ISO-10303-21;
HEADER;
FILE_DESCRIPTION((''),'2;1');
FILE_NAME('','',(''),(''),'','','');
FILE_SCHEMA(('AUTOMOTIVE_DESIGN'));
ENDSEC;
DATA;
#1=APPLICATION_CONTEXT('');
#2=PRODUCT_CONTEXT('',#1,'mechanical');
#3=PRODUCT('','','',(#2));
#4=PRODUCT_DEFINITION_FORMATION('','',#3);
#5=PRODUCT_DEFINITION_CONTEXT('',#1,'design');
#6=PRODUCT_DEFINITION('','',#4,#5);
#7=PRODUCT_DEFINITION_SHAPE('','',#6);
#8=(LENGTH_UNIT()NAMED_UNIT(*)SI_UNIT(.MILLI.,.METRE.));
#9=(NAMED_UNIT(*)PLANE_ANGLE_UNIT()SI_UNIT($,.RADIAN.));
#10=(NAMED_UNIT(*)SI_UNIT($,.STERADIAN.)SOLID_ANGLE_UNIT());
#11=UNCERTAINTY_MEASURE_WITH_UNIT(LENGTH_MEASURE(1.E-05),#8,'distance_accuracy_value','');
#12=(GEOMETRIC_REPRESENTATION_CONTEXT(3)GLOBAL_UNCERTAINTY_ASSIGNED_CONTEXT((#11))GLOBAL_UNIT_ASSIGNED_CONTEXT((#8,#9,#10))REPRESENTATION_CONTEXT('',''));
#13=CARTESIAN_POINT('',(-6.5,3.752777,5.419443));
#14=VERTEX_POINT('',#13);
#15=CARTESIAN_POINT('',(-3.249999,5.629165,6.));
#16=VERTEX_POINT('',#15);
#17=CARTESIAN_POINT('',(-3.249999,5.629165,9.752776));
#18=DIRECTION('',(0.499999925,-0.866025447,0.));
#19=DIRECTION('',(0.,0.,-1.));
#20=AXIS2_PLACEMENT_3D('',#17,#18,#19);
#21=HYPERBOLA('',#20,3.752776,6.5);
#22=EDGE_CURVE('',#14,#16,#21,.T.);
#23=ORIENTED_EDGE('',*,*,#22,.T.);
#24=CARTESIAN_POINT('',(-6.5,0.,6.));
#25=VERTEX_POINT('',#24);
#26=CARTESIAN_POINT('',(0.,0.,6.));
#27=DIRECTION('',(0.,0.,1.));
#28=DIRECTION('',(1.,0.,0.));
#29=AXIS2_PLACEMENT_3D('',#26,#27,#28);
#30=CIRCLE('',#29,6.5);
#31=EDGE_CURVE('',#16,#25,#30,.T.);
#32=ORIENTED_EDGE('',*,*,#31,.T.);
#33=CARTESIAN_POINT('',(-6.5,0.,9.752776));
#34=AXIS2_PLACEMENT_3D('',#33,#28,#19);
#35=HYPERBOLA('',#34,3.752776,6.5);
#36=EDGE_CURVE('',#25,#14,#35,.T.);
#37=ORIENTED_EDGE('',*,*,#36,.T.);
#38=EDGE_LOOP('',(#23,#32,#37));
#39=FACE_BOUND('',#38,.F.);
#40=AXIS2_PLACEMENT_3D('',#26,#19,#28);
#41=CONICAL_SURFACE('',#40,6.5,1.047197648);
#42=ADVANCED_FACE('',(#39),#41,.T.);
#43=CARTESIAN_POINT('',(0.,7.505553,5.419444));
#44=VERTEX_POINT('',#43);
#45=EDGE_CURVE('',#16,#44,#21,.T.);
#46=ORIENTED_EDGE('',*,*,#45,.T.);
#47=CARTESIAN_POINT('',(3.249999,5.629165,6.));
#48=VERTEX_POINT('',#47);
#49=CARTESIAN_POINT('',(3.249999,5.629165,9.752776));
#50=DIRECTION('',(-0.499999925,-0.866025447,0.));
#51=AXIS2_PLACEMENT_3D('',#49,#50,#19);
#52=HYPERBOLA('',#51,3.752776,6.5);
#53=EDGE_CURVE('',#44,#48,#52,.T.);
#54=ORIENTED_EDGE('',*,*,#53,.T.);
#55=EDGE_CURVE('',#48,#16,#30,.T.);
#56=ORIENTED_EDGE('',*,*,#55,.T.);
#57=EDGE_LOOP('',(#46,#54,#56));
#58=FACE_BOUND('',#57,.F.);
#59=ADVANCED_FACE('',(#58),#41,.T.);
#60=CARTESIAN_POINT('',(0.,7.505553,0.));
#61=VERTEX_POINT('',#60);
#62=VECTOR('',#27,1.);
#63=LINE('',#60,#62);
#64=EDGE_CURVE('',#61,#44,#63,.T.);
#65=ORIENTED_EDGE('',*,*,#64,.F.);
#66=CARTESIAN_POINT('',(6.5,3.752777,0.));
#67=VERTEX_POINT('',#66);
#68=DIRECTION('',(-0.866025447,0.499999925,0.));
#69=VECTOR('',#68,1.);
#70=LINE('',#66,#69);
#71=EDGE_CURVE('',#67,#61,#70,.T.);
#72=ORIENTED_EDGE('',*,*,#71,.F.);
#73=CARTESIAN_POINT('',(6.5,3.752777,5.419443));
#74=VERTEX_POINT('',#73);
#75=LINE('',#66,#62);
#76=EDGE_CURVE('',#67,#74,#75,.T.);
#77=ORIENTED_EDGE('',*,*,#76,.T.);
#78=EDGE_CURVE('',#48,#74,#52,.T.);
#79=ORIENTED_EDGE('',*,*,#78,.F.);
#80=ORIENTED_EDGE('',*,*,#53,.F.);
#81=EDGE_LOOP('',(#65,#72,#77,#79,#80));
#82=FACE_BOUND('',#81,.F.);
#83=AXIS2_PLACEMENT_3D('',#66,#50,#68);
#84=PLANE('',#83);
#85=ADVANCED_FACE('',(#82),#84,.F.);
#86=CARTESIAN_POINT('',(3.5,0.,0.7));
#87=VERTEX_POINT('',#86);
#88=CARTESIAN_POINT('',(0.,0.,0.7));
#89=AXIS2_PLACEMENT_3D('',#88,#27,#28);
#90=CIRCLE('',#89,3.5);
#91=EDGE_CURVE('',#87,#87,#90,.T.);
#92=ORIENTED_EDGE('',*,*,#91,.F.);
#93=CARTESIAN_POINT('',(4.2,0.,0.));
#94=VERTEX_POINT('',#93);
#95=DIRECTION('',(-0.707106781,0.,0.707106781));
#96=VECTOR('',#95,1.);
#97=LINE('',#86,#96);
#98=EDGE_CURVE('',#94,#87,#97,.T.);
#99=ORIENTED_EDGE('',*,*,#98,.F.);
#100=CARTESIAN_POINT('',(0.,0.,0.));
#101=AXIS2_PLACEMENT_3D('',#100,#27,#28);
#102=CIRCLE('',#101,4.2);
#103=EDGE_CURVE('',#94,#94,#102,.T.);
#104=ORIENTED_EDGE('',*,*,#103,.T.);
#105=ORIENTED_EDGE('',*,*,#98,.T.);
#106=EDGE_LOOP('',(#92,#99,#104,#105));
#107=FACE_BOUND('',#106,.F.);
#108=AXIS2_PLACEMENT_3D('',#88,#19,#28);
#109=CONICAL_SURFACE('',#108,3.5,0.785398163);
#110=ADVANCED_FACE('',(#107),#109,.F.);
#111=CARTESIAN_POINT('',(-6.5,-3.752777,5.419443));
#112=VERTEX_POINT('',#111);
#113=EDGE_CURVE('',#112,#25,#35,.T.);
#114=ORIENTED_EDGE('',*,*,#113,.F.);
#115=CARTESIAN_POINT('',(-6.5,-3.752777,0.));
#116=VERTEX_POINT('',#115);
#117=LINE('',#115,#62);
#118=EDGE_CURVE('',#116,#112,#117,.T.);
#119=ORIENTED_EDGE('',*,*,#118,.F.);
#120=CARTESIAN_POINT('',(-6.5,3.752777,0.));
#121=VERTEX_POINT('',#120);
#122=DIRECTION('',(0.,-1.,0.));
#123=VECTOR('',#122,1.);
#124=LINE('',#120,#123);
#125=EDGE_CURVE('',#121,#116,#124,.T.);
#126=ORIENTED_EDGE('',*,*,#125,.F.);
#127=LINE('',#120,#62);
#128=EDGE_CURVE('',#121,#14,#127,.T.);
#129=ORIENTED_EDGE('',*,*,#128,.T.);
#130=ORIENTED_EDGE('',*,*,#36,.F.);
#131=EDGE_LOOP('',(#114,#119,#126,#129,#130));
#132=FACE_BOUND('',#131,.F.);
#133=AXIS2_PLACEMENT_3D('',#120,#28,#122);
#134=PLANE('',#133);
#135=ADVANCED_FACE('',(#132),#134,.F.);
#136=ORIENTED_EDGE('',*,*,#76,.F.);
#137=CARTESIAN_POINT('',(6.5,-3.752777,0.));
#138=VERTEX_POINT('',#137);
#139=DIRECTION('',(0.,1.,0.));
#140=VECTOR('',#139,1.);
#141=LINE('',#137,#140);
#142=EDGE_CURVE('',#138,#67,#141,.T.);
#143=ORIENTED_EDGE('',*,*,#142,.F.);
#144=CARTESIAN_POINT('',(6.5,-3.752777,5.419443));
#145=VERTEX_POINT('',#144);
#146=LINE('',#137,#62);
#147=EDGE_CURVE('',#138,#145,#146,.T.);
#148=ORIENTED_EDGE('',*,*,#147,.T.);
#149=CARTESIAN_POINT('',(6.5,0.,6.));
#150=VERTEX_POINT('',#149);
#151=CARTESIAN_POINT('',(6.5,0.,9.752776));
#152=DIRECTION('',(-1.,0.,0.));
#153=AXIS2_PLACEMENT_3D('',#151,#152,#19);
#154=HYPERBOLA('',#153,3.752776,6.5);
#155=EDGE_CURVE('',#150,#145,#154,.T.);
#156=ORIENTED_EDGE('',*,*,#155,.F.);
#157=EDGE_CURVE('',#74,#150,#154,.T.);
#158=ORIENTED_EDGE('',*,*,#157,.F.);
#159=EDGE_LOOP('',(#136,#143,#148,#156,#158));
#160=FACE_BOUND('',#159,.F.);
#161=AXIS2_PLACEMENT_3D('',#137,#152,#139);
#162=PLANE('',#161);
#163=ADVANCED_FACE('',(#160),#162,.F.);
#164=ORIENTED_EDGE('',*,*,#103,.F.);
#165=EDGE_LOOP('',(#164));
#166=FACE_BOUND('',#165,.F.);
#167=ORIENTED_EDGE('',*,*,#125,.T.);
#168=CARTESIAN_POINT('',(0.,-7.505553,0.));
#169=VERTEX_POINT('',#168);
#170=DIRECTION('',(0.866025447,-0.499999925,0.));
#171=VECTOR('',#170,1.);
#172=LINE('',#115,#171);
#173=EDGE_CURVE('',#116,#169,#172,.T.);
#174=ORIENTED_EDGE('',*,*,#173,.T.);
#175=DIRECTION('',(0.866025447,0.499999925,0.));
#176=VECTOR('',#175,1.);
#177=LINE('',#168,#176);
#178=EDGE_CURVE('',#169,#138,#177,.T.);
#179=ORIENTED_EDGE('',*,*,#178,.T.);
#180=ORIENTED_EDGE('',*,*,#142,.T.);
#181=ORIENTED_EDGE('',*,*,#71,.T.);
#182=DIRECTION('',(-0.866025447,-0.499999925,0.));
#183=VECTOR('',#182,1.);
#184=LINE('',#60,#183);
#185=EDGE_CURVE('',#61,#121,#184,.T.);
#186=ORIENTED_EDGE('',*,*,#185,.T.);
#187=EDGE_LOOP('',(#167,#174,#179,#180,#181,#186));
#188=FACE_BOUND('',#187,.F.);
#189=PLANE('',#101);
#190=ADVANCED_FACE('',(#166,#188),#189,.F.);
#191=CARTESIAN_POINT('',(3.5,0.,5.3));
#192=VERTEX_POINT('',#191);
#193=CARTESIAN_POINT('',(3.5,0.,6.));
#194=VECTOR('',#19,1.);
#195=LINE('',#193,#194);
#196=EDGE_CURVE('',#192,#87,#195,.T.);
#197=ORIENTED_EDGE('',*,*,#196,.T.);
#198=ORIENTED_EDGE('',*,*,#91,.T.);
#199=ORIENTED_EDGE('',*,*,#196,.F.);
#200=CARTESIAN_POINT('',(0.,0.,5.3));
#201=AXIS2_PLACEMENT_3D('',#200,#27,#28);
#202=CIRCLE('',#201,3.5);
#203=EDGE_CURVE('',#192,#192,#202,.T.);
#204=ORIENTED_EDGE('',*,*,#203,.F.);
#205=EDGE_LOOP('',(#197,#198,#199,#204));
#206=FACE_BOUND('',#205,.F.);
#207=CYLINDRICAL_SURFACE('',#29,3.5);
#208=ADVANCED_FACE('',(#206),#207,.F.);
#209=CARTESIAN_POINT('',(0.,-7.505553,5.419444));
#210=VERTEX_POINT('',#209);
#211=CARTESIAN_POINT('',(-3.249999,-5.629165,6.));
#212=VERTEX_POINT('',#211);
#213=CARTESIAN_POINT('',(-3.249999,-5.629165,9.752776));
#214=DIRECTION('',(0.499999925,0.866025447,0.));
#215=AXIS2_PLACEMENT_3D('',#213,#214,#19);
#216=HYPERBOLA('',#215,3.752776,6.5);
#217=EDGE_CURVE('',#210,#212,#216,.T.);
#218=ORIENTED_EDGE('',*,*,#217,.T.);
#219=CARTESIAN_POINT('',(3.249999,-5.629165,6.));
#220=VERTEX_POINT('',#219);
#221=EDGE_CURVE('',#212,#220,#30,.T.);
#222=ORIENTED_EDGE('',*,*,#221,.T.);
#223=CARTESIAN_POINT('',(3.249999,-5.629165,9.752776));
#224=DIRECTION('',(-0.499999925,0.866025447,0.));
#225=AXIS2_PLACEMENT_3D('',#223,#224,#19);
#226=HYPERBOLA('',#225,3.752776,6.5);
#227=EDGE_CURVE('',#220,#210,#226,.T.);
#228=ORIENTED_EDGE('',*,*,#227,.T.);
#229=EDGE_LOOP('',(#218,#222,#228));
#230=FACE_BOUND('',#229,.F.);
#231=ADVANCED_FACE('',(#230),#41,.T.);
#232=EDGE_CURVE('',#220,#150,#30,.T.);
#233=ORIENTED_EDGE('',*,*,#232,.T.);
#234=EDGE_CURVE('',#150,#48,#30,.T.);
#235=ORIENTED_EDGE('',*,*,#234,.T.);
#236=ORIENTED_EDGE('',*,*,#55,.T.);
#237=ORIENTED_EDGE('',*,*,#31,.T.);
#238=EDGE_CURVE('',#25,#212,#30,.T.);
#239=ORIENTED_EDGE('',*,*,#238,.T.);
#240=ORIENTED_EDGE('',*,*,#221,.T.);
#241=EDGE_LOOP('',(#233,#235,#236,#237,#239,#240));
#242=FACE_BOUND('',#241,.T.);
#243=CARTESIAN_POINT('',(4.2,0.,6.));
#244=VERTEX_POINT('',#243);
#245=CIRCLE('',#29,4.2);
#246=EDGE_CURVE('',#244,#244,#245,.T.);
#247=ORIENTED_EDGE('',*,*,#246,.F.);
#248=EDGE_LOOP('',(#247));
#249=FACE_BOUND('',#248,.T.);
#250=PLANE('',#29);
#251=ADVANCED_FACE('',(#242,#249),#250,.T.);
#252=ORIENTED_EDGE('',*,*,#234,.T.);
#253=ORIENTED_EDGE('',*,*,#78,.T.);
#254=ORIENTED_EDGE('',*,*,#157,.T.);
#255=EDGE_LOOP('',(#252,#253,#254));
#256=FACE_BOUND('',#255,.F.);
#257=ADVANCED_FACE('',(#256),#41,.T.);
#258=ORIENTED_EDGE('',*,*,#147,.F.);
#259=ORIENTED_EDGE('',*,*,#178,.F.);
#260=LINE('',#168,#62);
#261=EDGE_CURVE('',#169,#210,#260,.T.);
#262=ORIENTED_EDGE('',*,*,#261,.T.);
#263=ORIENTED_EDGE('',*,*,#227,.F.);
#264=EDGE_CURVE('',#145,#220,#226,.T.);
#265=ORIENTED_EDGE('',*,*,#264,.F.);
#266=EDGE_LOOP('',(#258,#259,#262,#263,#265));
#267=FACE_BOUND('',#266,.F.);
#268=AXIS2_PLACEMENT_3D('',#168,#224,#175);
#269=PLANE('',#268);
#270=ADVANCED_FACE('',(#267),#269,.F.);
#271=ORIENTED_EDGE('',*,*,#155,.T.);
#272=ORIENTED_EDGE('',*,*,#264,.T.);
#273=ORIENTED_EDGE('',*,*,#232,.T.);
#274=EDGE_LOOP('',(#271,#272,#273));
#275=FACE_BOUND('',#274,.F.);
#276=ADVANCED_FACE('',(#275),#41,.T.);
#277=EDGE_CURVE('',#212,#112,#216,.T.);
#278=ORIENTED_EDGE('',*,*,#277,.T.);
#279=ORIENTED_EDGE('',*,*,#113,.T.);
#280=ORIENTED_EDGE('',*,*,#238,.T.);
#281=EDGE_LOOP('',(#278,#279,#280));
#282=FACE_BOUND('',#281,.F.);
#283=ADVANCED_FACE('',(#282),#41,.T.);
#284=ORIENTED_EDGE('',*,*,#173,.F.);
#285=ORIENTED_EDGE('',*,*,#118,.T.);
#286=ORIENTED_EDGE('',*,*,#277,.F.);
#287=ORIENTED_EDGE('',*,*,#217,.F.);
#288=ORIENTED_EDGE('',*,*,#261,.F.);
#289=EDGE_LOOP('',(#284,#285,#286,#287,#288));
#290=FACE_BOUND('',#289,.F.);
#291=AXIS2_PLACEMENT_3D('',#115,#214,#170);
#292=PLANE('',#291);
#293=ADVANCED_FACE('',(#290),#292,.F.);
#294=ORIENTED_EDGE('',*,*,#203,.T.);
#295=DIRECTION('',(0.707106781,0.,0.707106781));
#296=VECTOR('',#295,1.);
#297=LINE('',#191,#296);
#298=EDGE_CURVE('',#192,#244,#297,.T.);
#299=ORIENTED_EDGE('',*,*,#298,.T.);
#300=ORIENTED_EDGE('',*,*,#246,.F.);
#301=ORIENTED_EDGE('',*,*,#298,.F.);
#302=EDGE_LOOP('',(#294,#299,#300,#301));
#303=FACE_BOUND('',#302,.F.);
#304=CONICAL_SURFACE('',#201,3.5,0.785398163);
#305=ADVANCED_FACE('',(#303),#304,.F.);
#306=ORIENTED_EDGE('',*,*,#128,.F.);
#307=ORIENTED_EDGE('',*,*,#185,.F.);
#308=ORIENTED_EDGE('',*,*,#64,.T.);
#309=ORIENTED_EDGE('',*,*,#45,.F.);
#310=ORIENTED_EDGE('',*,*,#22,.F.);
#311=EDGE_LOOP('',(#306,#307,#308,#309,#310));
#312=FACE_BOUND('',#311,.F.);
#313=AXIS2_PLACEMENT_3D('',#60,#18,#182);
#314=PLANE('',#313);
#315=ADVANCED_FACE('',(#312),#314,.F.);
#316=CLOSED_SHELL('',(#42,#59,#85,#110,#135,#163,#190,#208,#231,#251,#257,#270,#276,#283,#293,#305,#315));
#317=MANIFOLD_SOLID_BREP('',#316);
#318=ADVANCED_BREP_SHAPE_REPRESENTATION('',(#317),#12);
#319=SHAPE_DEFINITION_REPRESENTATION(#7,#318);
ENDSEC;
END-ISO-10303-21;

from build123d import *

# Parameters (mm, degrees)
F1_DEPTH = 6
F2_R     = 3.5
F3_DEPTH = 6.001
F6_SIZE  = 0.7


with BuildPart() as f1:
    # F0 (on Top) → F1 (new body)
    with BuildSketch(Plane.XY):
        Polygon((6.5, -3.752777), (6.5, 3.752777), (0, 7.505553), (-6.5, 3.752777), (-6.5, -3.752777), (0, -7.505553), align=None)
    extrude(amount=F1_DEPTH)

    # F2 (on face) → F3 (cut, through all)
    with BuildSketch(Plane.XY.offset(6)):
        Circle(F2_R)
    extrude(amount=-F3_DEPTH, mode=Mode.SUBTRACT)

    # F4 (on Front) → F5 (revolve, cut)
    with BuildSketch(Plane.XZ):
        Polygon((10.708706, 6), (6.5, 6), (10.708706, 3.570103), align=None)
    revolve(axis=Axis((0, 0, 2.326309), (0, 0, 1)), mode=Mode.SUBTRACT)

    # F6
    f6_edges = [f1.edges().sort_by_distance(p)[0] for p in [
        (-3.5, 0, 6),
        (-3.5, 0, 0),
    ]]
    chamfer(f6_edges, length=F6_SIZE)


solid = f1.part
